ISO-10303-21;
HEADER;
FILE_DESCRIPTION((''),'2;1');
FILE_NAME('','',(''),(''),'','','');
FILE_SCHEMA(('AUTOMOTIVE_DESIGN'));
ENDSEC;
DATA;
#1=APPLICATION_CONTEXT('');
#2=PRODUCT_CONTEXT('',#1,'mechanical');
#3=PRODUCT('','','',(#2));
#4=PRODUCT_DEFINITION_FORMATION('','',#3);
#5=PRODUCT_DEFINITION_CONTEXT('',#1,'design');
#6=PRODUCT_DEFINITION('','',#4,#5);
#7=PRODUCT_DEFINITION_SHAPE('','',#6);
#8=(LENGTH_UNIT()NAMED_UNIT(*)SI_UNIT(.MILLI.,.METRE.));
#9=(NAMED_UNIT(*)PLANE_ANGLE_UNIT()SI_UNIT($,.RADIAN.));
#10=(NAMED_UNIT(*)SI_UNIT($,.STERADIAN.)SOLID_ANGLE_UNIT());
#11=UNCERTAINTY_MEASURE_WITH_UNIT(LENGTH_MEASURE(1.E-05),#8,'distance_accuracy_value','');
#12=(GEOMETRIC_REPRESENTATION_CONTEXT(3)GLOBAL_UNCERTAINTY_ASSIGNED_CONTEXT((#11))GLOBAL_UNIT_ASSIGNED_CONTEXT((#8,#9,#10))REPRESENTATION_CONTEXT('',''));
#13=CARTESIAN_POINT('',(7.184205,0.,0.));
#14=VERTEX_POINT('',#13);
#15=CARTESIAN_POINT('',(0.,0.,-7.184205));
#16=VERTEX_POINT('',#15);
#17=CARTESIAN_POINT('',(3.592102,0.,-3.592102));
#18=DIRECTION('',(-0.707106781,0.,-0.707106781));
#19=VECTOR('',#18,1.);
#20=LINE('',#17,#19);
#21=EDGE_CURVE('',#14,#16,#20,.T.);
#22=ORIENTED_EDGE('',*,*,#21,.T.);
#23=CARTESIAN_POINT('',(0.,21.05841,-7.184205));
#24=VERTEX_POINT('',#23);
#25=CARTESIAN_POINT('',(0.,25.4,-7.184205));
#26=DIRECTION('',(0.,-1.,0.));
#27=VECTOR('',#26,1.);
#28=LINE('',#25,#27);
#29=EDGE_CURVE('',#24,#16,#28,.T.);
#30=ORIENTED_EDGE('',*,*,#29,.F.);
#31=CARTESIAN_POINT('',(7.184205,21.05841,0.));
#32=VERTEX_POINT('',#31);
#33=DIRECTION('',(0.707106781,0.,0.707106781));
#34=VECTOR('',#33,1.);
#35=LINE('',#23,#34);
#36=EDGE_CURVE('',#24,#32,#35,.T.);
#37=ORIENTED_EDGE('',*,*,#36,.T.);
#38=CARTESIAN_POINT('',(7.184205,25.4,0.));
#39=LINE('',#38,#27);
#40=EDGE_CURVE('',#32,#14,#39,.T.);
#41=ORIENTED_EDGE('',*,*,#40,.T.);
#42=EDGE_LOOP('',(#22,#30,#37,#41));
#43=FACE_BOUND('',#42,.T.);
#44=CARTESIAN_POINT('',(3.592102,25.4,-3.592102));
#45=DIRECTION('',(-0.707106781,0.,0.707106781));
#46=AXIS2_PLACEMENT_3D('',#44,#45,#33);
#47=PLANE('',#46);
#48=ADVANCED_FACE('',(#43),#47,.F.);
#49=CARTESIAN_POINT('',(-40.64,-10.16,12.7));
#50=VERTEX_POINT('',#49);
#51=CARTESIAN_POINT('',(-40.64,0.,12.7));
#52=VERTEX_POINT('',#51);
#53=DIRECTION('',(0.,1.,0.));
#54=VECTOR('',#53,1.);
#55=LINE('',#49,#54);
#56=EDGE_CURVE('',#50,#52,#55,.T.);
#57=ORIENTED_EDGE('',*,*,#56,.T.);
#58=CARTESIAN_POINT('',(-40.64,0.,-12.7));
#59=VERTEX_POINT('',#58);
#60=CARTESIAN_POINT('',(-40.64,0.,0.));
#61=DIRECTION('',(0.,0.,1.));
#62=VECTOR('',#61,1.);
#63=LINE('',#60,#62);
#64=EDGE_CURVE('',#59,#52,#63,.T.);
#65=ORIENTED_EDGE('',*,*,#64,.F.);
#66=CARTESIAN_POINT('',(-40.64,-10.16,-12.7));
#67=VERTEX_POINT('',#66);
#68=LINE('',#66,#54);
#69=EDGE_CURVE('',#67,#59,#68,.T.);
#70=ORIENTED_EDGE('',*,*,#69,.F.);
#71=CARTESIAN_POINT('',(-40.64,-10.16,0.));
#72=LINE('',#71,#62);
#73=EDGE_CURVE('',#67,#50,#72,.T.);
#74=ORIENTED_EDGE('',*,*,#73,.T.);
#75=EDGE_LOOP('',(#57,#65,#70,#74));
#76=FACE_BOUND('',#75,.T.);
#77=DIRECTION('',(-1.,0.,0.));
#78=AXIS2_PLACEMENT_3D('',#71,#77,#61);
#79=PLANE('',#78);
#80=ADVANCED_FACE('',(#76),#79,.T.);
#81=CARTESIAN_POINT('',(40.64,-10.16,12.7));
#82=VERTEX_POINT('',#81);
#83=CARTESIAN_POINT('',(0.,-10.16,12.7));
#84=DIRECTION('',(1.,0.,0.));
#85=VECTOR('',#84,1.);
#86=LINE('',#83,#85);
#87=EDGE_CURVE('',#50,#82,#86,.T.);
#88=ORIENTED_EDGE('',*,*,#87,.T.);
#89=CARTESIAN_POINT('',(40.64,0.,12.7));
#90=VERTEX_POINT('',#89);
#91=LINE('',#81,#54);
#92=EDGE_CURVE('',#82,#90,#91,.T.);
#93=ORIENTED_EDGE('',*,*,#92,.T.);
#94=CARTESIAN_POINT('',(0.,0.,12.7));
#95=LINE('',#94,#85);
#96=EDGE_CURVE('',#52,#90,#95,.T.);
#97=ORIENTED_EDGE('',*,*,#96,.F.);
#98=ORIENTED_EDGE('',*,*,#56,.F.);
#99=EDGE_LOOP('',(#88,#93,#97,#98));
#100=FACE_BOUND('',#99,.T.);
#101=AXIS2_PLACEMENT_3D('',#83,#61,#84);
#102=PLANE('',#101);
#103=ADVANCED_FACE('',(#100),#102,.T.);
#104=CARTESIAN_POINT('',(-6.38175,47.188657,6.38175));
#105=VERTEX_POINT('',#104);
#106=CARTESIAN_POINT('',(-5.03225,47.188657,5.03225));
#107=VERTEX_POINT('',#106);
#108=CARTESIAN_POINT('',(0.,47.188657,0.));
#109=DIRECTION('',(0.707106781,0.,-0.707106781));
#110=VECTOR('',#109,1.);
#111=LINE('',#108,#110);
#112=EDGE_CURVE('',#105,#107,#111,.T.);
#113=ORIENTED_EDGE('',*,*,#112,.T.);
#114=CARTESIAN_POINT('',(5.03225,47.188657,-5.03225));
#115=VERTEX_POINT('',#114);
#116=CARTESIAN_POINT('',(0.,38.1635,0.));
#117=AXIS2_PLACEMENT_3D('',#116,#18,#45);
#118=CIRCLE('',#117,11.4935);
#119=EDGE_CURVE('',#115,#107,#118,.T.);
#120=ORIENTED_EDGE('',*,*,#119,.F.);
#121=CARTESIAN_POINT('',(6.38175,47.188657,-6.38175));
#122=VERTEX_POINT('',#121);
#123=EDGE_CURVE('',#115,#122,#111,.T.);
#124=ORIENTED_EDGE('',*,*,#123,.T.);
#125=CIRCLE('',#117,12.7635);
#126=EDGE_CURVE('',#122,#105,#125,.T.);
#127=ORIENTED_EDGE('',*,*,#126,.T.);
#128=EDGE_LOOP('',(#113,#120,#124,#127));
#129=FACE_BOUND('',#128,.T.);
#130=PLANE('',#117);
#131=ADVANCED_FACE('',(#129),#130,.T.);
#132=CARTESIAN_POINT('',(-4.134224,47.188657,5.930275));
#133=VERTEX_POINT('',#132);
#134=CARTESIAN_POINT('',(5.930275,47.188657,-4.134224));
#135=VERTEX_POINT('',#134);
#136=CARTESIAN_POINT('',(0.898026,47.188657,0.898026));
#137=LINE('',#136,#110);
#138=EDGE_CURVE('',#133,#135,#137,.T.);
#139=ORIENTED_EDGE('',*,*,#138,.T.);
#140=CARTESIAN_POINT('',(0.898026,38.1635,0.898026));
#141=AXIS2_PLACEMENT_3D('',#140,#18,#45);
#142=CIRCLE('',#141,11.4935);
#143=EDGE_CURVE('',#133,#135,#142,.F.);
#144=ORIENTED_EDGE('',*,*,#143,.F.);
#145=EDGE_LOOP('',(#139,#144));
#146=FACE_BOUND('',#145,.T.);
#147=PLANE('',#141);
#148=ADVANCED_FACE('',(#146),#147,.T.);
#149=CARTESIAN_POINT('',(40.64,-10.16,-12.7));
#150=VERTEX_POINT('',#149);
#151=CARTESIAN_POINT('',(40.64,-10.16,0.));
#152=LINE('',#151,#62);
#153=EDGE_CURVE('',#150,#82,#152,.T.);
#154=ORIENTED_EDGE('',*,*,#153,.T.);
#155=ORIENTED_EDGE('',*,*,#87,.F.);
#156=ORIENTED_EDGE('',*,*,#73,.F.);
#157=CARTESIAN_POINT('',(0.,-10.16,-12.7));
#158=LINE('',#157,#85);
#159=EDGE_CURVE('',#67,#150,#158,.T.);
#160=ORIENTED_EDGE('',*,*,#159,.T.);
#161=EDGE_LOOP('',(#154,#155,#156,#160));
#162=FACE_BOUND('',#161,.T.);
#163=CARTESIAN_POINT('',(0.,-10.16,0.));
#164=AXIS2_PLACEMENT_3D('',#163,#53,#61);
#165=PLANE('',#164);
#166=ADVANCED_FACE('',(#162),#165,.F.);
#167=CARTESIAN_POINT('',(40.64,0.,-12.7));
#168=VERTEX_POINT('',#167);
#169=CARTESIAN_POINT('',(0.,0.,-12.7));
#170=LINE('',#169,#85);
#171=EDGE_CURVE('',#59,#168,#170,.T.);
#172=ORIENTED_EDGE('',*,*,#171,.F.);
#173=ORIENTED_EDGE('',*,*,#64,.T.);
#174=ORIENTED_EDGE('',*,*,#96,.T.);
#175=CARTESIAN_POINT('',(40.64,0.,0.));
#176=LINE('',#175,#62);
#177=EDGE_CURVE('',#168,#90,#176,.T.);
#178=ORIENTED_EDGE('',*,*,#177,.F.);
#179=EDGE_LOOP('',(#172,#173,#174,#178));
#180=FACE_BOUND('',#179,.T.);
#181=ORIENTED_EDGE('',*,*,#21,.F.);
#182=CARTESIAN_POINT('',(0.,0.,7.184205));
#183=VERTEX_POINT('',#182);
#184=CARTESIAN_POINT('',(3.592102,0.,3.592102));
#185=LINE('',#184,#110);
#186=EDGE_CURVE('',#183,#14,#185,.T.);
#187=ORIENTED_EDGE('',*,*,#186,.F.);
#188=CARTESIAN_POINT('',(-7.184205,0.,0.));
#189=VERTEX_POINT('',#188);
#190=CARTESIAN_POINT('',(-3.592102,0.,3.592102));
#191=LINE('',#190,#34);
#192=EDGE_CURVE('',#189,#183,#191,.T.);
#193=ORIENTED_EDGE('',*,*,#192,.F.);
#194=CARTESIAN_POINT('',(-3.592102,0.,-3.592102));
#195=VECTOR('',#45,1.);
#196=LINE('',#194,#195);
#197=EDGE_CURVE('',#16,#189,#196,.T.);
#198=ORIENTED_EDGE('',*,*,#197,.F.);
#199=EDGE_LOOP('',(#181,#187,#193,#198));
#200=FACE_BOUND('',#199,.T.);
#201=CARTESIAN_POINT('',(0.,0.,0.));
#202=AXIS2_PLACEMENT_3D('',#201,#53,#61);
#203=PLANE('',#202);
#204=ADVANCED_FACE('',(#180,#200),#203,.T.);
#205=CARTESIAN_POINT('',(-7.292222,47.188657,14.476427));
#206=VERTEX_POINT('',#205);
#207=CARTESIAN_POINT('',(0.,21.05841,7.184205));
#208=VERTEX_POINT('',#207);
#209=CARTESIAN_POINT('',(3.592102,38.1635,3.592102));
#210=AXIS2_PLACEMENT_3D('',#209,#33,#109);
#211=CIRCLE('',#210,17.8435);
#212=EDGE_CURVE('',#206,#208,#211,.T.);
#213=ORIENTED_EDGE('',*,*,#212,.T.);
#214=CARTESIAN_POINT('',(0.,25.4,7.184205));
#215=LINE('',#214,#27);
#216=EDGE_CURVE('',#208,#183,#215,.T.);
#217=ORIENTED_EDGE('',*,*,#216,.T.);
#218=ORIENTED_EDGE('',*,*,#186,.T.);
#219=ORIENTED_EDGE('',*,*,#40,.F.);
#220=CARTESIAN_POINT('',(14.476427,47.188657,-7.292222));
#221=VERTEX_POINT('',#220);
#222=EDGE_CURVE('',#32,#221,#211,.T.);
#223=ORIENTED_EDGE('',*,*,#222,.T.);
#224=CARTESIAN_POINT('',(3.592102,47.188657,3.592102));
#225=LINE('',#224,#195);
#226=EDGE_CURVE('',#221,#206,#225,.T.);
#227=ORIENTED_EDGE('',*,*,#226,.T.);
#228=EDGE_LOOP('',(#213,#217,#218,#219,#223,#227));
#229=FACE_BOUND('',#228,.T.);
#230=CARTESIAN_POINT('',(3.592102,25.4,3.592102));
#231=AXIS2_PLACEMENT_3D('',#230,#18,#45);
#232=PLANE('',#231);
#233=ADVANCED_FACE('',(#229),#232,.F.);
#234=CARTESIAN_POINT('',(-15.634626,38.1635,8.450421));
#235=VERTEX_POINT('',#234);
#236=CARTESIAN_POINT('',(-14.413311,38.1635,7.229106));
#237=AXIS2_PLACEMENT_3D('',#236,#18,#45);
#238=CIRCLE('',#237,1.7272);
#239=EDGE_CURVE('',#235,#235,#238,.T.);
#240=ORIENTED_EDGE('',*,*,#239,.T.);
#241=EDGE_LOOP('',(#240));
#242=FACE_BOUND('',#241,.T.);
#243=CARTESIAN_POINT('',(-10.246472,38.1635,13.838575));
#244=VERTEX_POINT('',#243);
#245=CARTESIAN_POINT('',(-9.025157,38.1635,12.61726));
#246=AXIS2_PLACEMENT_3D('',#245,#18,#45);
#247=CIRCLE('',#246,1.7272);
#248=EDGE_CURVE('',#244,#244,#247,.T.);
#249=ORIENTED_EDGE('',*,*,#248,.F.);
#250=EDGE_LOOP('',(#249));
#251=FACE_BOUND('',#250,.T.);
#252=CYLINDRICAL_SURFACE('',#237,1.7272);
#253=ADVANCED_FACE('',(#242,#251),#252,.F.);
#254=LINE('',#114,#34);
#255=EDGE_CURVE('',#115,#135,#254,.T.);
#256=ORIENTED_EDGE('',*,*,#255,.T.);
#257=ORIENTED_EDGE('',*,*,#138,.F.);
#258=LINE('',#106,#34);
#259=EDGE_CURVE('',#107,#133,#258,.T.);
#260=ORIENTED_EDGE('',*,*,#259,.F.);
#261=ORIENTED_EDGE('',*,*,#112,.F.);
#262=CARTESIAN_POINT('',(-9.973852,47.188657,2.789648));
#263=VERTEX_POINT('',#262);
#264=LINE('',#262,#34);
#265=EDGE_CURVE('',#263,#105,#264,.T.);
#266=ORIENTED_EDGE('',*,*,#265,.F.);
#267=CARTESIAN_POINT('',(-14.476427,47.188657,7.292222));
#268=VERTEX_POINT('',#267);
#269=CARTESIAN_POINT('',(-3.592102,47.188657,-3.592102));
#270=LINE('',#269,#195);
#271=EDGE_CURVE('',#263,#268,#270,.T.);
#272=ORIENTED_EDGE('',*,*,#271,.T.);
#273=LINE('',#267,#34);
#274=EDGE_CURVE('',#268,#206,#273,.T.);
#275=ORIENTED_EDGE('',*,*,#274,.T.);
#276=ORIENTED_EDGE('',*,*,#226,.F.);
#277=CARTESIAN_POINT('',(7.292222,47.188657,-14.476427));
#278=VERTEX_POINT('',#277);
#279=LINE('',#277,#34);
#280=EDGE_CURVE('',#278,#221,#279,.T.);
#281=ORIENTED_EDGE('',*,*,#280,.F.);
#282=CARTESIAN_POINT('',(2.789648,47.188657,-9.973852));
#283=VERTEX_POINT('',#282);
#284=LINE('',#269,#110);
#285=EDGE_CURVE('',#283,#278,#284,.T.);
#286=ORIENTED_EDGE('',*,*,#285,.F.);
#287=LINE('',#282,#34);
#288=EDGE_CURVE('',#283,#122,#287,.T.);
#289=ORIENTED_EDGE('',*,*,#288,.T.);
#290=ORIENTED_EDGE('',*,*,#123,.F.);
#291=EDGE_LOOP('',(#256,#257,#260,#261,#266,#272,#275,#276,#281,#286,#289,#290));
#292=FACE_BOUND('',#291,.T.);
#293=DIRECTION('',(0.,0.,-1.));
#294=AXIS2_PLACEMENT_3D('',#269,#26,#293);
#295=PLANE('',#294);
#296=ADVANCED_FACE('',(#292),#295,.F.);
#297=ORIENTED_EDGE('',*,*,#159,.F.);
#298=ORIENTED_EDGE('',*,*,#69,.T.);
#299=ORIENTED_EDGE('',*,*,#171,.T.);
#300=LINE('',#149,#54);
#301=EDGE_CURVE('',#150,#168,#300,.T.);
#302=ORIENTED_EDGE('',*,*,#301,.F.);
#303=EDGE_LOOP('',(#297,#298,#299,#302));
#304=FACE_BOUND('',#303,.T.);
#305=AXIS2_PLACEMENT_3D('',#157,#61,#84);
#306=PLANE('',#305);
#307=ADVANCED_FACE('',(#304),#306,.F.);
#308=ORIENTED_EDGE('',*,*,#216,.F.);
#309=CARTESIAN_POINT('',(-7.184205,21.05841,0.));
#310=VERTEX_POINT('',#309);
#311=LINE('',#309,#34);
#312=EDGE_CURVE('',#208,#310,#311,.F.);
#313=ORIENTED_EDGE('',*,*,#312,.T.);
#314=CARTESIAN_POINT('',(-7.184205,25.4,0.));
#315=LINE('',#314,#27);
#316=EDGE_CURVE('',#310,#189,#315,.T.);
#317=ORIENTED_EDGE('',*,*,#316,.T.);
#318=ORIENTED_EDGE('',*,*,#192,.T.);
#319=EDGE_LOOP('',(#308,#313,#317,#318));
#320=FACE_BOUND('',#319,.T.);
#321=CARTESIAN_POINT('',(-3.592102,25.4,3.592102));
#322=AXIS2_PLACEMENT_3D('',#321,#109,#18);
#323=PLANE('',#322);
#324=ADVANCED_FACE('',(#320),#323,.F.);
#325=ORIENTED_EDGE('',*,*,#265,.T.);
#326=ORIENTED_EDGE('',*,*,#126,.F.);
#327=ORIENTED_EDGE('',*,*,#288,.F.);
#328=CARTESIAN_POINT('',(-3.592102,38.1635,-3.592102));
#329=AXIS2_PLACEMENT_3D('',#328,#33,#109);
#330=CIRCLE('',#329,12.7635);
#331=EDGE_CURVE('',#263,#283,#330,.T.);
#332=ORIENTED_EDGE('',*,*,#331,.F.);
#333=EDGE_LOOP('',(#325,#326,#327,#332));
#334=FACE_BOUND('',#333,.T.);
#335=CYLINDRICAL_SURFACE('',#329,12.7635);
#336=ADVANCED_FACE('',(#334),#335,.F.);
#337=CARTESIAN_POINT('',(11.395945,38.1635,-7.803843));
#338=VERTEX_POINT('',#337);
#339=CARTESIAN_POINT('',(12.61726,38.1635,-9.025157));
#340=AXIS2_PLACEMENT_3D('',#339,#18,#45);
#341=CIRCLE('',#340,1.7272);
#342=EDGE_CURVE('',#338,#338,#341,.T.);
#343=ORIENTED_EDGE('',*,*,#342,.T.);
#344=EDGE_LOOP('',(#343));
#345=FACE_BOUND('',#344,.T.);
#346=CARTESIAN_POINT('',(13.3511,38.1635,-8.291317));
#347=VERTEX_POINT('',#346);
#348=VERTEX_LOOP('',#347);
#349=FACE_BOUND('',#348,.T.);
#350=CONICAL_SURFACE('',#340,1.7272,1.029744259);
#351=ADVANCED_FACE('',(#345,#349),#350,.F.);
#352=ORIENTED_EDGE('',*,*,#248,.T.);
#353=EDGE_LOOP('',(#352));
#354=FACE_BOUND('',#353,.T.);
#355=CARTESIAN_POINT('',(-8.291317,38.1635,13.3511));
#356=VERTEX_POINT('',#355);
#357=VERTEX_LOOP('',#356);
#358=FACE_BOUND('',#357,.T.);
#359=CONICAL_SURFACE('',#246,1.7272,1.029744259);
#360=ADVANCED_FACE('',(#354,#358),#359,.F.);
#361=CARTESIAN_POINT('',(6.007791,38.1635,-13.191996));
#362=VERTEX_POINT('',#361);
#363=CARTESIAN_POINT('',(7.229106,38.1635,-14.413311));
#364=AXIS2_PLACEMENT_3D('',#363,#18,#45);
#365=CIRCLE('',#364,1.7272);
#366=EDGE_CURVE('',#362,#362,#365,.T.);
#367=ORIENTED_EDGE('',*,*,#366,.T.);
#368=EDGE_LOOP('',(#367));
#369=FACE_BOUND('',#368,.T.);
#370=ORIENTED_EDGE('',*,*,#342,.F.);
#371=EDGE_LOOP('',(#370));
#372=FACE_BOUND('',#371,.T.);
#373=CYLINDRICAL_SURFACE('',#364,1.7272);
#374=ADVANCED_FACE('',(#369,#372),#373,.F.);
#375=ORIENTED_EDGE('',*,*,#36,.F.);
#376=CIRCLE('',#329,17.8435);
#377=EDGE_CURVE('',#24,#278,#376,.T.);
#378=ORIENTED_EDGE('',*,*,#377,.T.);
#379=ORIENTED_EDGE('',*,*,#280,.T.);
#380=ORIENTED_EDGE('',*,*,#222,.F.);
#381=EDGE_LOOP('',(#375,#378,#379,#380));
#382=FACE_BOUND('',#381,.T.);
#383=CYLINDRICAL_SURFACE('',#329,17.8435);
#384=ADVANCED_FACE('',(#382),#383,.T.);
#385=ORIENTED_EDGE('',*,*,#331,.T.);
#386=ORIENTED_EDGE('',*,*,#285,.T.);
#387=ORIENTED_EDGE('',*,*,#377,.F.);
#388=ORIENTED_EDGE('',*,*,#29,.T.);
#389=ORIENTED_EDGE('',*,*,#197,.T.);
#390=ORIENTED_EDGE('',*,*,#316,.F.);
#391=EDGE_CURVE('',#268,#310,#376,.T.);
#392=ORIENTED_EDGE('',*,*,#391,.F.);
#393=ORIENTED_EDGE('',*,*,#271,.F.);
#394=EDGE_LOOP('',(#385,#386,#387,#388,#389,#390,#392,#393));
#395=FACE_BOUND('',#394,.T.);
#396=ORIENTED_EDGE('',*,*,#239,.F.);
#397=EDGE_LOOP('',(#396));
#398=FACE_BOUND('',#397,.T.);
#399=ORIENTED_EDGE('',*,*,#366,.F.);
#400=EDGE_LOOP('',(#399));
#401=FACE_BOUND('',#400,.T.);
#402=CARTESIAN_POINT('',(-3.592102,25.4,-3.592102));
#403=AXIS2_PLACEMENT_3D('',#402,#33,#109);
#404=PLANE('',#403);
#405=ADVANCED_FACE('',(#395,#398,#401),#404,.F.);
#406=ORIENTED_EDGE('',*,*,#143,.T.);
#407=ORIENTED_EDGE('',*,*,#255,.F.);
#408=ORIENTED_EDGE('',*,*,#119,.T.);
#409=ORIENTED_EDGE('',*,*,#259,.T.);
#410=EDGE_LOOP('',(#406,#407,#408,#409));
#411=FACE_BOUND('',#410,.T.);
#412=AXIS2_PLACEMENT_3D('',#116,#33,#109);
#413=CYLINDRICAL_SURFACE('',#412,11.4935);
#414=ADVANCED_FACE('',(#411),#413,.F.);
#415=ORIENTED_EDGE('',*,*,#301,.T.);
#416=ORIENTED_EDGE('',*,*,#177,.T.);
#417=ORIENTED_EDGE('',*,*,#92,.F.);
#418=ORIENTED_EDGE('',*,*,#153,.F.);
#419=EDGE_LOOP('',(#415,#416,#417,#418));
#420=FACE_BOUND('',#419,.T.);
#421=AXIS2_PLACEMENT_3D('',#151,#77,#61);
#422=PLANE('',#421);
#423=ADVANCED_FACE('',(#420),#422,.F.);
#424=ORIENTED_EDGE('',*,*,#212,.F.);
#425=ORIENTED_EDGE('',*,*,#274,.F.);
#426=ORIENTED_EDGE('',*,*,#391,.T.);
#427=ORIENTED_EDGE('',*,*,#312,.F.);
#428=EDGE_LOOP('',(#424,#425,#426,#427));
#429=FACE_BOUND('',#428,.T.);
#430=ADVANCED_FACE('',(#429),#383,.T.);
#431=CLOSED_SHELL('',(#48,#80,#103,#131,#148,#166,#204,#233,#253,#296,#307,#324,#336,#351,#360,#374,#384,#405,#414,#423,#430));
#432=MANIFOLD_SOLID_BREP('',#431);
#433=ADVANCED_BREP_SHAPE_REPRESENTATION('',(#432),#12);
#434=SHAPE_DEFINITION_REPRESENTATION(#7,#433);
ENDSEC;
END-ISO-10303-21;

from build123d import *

# Parameters (mm, degrees)
SKETCH1_W                 = 81.28
SKETCH1_H                 = 25.4
BOSS_EXTRUDE1_DEPTH       = 10.16
BOSS_EXTRUDE2_DEPTH       = 25.4
BOSS_EXTRUDE3_DEPTH       = 10.16
BOSS_EXTRUDE4_DEPTH       = 3.81
BOSS_EXTRUDE5_DEPTH       = 5.08
F_8_32_TAPPED_HOLE2_D     = 3.4544
F_8_32_TAPPED_HOLE2_DEPTH = 7.62
F_8_32_TAPPED_HOLE2_TIP   = 1.037806461


with BuildPart() as part:
    # Sketch1 → Boss-Extrude1 (new body)
    # profile 1 of 2: a face of its own
    with BuildSketch(Plane(origin=(0, 0, 0), x_dir=(1, 0, 0), z_dir=(0, 1, 0))):
        Rectangle(SKETCH1_W, SKETCH1_H)
        Polygon((7.184204897, 0), (0, 7.184204897), (-7.184204897, 0), (0, -7.184204897), align=None, mode=Mode.SUBTRACT)
    # profile 2 of 2: a face of its own
    with BuildSketch(Plane(origin=(0, 0, 0), x_dir=(1, 0, 0), z_dir=(0, 1, 0))):
        Polygon((0, -7.184204897), (7.184204897, 0), (0, 7.184204897), (-7.184204897, 0), align=None)
    extrude(amount=-BOSS_EXTRUDE1_DEPTH)

    # Sketch1<3> → Boss-Extrude2 (add)
    with BuildSketch(Plane(origin=(0, 0, 0), x_dir=(1, 0, 0), z_dir=(0, 1, 0))):
        Polygon((0, -7.184204897), (7.184204897, 0), (0, 7.184204897), (-7.184204897, 0), align=None)
    extrude(amount=BOSS_EXTRUDE2_DEPTH)

    # Sketch3 → Boss-Extrude3 (add)
    with BuildSketch(Plane(origin=(3.592102448, 0, 3.592102448), x_dir=(0.7071067811865472, 0, -0.7071067811865479), z_dir=(0.7071067811865479, 0, 0.7071067811865472))):
        with BuildLine():
            ThreePointArc((0, 25.4), (-11.791936413, 33.279120011), (-9.025157402, 47.188657402))
            Line((-9.025157402, 47.188657402), (-15.392758886, 47.188657402))
            ThreePointArc((-15.392758886, 47.188657402), (0, 20.32), (15.392758886, 47.188657402))
            Line((15.392758886, 47.188657402), (9.025157402, 47.188657402))
            ThreePointArc((9.025157402, 47.188657402), (11.791936413, 33.279120011), (0, 25.4))
        make_face()
    extrude(amount=-BOSS_EXTRUDE3_DEPTH)

    # Sketch3<3> → Boss-Extrude4 (add)
    with BuildSketch(Plane(origin=(3.592102448, 0, 3.592102448), x_dir=(0.7071067811865472, 0, -0.7071067811865479), z_dir=(0.7071067811865479, 0, 0.7071067811865472))):
        with BuildLine():
            Line((15.392758886, 47.188657402), (-15.392758886, 47.188657402))
            ThreePointArc((-15.392758886, 47.188657402), (0, 20.32), (15.392758886, 47.188657402))
        make_face()
    extrude(amount=-BOSS_EXTRUDE4_DEPTH)

    # Sketch3<4> → Boss-Extrude5 (add)
    with BuildSketch(Plane(origin=(3.592102448, 0, 3.592102448), x_dir=(0.7071067811865472, 0, -0.7071067811865479), z_dir=(0.7071067811865479, 0, 0.7071067811865472))):
        with BuildLine():
            Line((-7.116675918, 47.188657402), (-9.025157402, 47.188657402))
            ThreePointArc((-9.025157402, 47.188657402), (-11.791936413, 33.279120011), (0, 25.4))
            ThreePointArc((0, 25.4), (11.791936413, 33.279120011), (9.025157402, 47.188657402))
            Line((9.025157402, 47.188657402), (7.116675918, 47.188657402))
            ThreePointArc((7.116675918, 47.188657402), (0, 26.67), (-7.116675918, 47.188657402))
        make_face()
    extrude(amount=-BOSS_EXTRUDE5_DEPTH)

    # #8-32 Tapped Hole2
    with Locations(Plane(origin=(-3.592102448, 0, -3.592102448), x_dir=(-0.7071067811865472, 0, 0.7071067811865479), z_dir=(-0.7071067811865479, 0, -0.7071067811865472))):
        with Locations((15.3035, 38.1635), (-15.3035, 38.1635)):
            Hole(F_8_32_TAPPED_HOLE2_D / 2, depth=F_8_32_TAPPED_HOLE2_DEPTH)
            with Locations((0, 0, -(F_8_32_TAPPED_HOLE2_DEPTH + F_8_32_TAPPED_HOLE2_TIP / 2))):  # 118° drill point
                Cone(0, F_8_32_TAPPED_HOLE2_D / 2, F_8_32_TAPPED_HOLE2_TIP, mode=Mode.SUBTRACT)


solid = part.part
